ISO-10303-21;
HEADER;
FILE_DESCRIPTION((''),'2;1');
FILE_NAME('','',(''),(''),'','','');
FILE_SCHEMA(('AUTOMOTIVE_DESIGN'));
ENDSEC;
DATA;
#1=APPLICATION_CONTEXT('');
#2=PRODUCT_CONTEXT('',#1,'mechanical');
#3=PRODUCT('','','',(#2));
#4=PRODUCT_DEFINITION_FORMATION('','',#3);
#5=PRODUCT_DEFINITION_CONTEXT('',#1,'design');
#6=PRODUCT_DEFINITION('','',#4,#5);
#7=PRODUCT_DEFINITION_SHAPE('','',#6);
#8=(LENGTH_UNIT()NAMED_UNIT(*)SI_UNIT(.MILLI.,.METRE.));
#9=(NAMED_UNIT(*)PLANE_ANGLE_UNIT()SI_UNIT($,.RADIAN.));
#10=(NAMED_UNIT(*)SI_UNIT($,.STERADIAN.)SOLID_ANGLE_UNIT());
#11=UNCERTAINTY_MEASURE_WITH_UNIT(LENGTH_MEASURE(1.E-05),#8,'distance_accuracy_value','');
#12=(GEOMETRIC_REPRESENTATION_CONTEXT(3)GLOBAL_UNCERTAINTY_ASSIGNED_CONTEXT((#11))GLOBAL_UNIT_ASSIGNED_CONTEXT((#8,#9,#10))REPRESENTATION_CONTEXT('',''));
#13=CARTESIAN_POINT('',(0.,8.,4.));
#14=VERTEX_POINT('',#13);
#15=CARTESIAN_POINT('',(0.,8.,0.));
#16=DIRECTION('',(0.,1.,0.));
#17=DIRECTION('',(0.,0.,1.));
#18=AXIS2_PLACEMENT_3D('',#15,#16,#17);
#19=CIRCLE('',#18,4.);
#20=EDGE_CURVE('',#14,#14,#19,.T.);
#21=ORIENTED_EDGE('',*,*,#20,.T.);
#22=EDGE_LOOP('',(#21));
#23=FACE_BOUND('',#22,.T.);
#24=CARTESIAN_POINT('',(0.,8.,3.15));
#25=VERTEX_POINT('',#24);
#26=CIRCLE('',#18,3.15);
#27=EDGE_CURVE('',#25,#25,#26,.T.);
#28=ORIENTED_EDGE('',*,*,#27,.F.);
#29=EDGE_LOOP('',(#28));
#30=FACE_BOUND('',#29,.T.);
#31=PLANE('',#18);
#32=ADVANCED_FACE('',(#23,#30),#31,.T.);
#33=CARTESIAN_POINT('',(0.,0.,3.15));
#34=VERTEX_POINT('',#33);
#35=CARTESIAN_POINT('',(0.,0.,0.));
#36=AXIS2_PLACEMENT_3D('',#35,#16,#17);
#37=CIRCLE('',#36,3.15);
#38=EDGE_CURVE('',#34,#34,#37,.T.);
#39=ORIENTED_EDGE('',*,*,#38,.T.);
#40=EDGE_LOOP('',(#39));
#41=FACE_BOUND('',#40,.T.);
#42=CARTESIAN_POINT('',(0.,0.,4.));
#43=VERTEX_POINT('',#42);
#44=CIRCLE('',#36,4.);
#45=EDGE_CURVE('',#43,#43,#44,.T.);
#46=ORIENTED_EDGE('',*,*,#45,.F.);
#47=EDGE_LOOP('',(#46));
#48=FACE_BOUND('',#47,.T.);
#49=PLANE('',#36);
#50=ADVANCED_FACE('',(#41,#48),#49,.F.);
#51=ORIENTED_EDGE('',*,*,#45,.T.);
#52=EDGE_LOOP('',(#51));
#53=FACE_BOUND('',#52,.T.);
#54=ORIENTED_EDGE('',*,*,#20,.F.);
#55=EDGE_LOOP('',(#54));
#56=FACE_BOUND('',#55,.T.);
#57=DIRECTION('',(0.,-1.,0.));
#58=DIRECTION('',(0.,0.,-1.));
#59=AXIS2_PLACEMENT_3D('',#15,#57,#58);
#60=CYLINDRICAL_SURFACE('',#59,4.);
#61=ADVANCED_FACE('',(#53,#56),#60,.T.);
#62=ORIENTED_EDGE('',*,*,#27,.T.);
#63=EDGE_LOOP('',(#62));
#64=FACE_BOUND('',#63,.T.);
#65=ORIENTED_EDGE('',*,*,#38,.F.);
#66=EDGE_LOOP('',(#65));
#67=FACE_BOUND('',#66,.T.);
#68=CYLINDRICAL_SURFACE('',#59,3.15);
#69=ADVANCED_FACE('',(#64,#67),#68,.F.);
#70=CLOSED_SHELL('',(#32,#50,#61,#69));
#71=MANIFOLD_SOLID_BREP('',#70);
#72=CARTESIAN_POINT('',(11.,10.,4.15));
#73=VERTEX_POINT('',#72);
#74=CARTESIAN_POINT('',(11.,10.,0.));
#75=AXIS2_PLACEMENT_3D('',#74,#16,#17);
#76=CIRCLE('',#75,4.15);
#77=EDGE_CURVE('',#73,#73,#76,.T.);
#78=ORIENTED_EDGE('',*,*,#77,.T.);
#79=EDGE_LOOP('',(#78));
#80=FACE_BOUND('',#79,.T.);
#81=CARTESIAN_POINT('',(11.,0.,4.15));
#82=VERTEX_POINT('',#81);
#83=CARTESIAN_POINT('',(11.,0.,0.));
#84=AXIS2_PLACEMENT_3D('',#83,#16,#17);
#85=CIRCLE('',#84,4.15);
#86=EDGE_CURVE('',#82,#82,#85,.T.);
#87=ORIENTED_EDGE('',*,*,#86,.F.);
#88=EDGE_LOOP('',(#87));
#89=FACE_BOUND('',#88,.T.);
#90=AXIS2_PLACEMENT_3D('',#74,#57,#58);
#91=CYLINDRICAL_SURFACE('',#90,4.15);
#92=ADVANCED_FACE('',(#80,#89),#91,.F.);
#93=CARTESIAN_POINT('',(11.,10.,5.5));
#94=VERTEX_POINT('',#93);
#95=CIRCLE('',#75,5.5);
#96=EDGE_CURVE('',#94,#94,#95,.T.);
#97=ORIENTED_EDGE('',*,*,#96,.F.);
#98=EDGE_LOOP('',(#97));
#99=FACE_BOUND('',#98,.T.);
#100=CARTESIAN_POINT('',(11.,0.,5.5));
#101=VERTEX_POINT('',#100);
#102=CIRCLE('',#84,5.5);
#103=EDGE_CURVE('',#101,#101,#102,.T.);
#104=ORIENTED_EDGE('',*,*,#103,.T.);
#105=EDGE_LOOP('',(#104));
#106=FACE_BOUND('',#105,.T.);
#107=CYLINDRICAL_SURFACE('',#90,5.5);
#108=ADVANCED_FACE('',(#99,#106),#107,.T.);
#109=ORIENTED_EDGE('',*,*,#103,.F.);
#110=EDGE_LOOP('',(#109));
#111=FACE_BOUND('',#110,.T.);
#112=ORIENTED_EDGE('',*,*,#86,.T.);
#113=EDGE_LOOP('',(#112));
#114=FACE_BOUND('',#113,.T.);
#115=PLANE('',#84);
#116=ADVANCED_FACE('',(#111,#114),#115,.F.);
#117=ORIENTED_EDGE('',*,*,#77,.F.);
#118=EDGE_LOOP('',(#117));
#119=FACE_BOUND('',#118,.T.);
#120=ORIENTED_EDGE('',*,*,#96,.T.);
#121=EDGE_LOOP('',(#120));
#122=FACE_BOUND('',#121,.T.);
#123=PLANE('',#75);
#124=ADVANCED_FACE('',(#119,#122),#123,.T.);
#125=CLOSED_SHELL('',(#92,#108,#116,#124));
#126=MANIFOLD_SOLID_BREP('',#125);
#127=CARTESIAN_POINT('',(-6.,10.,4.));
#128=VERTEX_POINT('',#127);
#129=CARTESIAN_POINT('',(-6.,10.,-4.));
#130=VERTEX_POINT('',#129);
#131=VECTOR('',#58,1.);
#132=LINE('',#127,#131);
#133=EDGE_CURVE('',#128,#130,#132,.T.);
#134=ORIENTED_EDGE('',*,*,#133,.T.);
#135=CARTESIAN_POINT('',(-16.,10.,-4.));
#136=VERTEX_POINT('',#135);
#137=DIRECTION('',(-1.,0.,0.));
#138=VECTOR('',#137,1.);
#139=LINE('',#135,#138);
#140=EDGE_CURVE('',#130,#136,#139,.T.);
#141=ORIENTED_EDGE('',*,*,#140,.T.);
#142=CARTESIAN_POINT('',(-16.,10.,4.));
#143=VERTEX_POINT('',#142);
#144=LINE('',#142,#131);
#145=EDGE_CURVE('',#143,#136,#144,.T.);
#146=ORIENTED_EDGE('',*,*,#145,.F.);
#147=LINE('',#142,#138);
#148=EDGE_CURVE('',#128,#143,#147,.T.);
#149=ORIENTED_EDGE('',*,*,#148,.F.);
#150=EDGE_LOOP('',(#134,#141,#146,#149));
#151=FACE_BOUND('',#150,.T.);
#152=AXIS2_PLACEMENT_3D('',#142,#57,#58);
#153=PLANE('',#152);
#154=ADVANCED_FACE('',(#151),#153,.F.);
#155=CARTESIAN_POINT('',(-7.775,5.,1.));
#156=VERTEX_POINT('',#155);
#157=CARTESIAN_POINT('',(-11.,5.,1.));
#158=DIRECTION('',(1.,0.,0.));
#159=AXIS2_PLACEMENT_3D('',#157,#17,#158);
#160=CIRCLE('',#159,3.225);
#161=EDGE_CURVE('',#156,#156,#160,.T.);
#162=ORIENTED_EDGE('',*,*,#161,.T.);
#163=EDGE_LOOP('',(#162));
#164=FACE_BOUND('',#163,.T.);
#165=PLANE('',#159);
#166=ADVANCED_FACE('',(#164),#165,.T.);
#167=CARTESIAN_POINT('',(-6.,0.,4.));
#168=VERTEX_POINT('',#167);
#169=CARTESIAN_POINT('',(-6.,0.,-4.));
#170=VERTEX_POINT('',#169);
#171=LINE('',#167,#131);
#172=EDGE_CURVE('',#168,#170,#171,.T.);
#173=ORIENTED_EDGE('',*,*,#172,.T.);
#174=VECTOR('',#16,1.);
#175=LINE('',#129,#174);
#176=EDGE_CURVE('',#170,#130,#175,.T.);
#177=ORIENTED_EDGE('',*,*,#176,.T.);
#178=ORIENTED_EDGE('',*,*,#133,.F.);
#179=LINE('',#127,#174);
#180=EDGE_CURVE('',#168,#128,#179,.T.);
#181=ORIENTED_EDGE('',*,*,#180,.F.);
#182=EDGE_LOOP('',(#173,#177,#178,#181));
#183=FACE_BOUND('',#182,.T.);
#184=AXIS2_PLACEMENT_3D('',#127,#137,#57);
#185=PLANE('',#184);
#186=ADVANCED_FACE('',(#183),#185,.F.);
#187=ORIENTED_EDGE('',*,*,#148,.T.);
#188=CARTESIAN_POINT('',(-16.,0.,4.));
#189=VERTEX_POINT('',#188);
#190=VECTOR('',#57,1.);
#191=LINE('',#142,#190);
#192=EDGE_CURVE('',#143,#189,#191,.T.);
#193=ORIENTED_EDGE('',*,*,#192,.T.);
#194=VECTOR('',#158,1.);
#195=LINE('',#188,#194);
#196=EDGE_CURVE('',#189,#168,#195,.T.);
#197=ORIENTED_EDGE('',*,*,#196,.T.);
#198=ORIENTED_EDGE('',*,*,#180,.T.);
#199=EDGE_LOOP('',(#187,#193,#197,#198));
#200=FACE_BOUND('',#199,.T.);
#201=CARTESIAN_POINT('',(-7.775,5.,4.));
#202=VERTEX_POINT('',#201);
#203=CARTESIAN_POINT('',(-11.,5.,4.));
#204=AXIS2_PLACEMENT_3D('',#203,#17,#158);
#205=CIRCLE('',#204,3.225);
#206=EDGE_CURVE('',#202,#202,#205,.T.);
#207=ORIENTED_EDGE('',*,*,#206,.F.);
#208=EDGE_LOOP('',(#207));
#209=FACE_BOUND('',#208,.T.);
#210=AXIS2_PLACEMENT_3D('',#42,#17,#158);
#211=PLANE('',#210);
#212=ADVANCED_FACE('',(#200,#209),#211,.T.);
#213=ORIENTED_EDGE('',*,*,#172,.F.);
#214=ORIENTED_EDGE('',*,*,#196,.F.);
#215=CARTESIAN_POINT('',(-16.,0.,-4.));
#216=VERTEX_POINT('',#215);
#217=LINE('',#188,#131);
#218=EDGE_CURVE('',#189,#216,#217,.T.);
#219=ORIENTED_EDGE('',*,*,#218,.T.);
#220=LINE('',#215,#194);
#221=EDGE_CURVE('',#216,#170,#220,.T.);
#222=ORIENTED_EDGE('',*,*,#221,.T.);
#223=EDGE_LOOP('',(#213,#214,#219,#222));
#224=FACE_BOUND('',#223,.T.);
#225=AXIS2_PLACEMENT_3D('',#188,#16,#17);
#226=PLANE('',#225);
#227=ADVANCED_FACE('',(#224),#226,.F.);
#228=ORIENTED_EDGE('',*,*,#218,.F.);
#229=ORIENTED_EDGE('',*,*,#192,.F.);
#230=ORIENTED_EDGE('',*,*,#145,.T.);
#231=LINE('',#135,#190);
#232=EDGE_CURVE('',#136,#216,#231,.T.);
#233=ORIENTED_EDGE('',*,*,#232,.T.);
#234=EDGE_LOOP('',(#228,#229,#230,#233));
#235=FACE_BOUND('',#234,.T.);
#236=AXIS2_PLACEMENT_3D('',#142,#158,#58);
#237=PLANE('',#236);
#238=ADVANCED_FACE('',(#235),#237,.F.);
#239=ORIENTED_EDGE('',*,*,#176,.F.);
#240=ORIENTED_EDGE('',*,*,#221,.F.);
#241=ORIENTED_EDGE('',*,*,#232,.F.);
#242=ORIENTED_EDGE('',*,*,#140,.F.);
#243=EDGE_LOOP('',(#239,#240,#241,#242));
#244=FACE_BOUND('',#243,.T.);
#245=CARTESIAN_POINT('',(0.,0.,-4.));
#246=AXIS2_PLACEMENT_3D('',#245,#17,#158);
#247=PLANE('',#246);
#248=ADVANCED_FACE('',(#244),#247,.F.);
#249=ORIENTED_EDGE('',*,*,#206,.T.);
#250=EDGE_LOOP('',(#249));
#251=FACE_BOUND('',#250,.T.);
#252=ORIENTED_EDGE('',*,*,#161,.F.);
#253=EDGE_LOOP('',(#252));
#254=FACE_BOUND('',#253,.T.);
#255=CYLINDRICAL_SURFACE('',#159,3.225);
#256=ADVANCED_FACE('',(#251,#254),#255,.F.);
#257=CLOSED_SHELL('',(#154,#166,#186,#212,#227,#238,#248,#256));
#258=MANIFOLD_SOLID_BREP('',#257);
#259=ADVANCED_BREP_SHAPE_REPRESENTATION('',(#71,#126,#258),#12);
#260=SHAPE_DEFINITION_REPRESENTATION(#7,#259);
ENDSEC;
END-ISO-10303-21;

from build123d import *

# Parameters (mm, degrees)
SKETCH1_R           = 4
SKETCH1_R_2         = 3.15
BOSS_EXTRUDE1_DEPTH = 8
SKETCH2_R           = 5.5
SKETCH2_R_2         = 4.15
BOSS_EXTRUDE2_DEPTH = 10
SKETCH3_W           = 10
SKETCH3_H           = 10
BOSS_EXTRUDE3_DEPTH = 4
SKETCH4_R           = 3.225
CUT_EXTRUDE1_DEPTH  = 3


with BuildPart() as part:
    # Sketch1 → Boss-Extrude1 (new body)
    with BuildSketch(Plane(origin=(0, 0, 0), x_dir=(1, 0, 0), z_dir=(0, 1, 0))):
        with Locations(Location((0, 0, 0), (0, 0, 270))):
            Circle(SKETCH1_R)
        with Locations(Location((0, 0, 0), (0, 0, 270))):
            Circle(SKETCH1_R_2, mode=Mode.SUBTRACT)
    extrude(amount=BOSS_EXTRUDE1_DEPTH)


with BuildPart() as body_2:
    # Sketch2 → Boss-Extrude2 (new body)
    with BuildSketch(Plane(origin=(0, 0, 0), x_dir=(1, 0, 0), z_dir=(0, 1, 0))):
        with Locations(Location((11, 0, 0), (0, 0, 270))):
            Circle(SKETCH2_R)
        with Locations(Location((11, 0, 0), (0, 0, 270))):
            Circle(SKETCH2_R_2, mode=Mode.SUBTRACT)
    extrude(amount=BOSS_EXTRUDE2_DEPTH)


with BuildPart() as body_3:
    # Sketch3 → Boss-Extrude3 (new, symmetric)
    with BuildSketch(Plane.XY):
        with Locations((-11, 5)):
            Rectangle(SKETCH3_W, SKETCH3_H)
    extrude(amount=BOSS_EXTRUDE3_DEPTH, both=True)

    # Sketch4 → Cut-Extrude1 (cut)
    with BuildSketch(Plane.XY.offset(4)):
        with Locations((-11, 5)):
            Circle(SKETCH4_R)
    extrude(amount=-CUT_EXTRUDE1_DEPTH, mode=Mode.SUBTRACT)


solid = Compound([part.part, body_2.part, body_3.part])
